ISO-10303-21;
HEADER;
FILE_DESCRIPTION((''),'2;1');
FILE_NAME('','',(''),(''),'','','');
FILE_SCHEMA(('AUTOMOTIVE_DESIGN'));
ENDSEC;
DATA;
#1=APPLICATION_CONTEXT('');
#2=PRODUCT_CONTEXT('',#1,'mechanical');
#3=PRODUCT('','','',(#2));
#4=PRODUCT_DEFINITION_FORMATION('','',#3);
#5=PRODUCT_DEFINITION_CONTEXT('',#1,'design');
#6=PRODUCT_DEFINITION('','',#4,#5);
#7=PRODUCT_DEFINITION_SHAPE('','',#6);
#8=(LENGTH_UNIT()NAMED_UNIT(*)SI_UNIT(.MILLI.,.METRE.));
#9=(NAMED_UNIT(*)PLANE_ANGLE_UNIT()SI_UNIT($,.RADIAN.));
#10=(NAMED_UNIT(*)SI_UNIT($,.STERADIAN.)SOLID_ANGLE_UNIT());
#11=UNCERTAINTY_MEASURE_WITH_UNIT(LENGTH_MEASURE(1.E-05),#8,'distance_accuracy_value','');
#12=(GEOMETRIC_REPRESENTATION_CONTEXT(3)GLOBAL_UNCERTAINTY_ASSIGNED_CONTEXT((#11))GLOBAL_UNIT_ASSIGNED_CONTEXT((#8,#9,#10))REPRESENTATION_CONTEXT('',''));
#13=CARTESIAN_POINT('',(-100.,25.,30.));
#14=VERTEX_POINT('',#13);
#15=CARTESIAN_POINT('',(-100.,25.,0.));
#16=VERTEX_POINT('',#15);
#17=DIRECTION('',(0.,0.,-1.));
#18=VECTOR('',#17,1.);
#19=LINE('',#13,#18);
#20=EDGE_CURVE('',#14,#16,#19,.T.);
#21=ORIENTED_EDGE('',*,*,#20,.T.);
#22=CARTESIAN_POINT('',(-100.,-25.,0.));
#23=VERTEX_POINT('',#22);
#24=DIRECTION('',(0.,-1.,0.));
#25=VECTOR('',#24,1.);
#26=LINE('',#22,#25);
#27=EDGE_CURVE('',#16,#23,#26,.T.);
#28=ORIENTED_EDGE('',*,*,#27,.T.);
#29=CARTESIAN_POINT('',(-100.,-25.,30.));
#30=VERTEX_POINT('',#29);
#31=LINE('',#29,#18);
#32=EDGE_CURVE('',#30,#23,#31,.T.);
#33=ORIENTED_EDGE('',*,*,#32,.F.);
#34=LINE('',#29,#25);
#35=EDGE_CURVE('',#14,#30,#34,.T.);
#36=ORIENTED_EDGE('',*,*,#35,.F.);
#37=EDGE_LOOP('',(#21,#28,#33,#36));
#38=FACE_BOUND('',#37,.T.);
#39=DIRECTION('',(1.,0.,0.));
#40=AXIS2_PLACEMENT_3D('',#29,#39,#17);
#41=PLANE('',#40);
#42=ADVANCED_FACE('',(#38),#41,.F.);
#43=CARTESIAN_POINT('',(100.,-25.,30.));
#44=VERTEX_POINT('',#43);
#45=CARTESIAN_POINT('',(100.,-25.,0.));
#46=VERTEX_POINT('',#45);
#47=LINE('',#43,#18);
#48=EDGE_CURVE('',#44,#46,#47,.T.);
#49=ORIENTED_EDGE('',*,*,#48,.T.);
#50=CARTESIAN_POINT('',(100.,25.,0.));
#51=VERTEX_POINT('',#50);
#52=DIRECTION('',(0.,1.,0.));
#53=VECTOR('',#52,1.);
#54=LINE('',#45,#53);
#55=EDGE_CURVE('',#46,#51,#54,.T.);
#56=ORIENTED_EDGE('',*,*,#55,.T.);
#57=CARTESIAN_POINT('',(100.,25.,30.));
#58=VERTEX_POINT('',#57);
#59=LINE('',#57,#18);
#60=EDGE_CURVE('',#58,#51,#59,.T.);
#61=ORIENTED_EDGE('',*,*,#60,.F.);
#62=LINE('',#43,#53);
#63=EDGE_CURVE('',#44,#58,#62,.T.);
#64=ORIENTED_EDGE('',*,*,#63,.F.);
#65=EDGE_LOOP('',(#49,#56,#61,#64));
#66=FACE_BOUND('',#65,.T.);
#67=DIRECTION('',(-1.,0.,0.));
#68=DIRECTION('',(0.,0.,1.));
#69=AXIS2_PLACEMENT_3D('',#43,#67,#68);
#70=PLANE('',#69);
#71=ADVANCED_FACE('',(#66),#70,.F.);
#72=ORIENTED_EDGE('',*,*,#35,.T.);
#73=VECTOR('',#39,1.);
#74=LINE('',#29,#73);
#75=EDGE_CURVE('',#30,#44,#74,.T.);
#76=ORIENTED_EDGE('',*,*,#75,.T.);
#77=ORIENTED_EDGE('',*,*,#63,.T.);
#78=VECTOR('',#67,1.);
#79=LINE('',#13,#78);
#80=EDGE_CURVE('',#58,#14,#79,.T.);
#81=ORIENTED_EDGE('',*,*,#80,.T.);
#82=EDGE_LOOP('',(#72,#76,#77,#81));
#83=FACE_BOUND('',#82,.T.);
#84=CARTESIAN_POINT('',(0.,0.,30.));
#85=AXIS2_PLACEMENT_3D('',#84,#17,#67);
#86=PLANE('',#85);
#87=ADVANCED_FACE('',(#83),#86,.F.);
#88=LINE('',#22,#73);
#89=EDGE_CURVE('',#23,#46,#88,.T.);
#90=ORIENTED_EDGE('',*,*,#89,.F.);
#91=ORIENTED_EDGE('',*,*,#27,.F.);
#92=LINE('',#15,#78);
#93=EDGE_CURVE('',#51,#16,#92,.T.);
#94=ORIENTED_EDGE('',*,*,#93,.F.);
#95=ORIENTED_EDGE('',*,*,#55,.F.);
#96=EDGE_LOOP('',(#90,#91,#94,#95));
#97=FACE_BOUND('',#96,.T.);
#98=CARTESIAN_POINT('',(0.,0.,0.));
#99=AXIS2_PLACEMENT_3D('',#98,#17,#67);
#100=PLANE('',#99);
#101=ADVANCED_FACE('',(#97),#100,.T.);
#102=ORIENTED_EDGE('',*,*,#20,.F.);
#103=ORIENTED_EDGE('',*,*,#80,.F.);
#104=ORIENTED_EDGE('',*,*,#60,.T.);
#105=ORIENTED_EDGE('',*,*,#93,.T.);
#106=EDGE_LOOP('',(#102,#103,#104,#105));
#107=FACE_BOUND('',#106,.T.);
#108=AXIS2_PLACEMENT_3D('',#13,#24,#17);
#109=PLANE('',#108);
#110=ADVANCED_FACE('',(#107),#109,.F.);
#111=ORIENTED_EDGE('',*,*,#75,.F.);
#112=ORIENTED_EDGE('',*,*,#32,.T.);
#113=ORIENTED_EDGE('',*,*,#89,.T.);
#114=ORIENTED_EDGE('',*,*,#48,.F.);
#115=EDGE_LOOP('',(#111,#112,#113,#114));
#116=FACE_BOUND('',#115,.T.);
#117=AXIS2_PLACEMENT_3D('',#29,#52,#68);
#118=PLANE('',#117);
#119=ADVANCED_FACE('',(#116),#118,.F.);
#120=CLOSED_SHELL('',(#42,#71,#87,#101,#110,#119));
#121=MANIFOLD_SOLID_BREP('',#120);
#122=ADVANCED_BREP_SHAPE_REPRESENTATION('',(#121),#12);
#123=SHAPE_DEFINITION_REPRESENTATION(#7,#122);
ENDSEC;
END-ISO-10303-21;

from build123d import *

# Parameters (mm, degrees)
SKETCH_1_W      = 200
SKETCH_1_H      = 50
EXTRUDE_1_DEPTH = 30


with BuildPart() as part:
    # Эскиз1 → Бобышка-Вытянуть1 (new body)
    with BuildSketch(Plane.XY):
        Rectangle(SKETCH_1_W, SKETCH_1_H)
    extrude(amount=EXTRUDE_1_DEPTH)


solid = part.part
